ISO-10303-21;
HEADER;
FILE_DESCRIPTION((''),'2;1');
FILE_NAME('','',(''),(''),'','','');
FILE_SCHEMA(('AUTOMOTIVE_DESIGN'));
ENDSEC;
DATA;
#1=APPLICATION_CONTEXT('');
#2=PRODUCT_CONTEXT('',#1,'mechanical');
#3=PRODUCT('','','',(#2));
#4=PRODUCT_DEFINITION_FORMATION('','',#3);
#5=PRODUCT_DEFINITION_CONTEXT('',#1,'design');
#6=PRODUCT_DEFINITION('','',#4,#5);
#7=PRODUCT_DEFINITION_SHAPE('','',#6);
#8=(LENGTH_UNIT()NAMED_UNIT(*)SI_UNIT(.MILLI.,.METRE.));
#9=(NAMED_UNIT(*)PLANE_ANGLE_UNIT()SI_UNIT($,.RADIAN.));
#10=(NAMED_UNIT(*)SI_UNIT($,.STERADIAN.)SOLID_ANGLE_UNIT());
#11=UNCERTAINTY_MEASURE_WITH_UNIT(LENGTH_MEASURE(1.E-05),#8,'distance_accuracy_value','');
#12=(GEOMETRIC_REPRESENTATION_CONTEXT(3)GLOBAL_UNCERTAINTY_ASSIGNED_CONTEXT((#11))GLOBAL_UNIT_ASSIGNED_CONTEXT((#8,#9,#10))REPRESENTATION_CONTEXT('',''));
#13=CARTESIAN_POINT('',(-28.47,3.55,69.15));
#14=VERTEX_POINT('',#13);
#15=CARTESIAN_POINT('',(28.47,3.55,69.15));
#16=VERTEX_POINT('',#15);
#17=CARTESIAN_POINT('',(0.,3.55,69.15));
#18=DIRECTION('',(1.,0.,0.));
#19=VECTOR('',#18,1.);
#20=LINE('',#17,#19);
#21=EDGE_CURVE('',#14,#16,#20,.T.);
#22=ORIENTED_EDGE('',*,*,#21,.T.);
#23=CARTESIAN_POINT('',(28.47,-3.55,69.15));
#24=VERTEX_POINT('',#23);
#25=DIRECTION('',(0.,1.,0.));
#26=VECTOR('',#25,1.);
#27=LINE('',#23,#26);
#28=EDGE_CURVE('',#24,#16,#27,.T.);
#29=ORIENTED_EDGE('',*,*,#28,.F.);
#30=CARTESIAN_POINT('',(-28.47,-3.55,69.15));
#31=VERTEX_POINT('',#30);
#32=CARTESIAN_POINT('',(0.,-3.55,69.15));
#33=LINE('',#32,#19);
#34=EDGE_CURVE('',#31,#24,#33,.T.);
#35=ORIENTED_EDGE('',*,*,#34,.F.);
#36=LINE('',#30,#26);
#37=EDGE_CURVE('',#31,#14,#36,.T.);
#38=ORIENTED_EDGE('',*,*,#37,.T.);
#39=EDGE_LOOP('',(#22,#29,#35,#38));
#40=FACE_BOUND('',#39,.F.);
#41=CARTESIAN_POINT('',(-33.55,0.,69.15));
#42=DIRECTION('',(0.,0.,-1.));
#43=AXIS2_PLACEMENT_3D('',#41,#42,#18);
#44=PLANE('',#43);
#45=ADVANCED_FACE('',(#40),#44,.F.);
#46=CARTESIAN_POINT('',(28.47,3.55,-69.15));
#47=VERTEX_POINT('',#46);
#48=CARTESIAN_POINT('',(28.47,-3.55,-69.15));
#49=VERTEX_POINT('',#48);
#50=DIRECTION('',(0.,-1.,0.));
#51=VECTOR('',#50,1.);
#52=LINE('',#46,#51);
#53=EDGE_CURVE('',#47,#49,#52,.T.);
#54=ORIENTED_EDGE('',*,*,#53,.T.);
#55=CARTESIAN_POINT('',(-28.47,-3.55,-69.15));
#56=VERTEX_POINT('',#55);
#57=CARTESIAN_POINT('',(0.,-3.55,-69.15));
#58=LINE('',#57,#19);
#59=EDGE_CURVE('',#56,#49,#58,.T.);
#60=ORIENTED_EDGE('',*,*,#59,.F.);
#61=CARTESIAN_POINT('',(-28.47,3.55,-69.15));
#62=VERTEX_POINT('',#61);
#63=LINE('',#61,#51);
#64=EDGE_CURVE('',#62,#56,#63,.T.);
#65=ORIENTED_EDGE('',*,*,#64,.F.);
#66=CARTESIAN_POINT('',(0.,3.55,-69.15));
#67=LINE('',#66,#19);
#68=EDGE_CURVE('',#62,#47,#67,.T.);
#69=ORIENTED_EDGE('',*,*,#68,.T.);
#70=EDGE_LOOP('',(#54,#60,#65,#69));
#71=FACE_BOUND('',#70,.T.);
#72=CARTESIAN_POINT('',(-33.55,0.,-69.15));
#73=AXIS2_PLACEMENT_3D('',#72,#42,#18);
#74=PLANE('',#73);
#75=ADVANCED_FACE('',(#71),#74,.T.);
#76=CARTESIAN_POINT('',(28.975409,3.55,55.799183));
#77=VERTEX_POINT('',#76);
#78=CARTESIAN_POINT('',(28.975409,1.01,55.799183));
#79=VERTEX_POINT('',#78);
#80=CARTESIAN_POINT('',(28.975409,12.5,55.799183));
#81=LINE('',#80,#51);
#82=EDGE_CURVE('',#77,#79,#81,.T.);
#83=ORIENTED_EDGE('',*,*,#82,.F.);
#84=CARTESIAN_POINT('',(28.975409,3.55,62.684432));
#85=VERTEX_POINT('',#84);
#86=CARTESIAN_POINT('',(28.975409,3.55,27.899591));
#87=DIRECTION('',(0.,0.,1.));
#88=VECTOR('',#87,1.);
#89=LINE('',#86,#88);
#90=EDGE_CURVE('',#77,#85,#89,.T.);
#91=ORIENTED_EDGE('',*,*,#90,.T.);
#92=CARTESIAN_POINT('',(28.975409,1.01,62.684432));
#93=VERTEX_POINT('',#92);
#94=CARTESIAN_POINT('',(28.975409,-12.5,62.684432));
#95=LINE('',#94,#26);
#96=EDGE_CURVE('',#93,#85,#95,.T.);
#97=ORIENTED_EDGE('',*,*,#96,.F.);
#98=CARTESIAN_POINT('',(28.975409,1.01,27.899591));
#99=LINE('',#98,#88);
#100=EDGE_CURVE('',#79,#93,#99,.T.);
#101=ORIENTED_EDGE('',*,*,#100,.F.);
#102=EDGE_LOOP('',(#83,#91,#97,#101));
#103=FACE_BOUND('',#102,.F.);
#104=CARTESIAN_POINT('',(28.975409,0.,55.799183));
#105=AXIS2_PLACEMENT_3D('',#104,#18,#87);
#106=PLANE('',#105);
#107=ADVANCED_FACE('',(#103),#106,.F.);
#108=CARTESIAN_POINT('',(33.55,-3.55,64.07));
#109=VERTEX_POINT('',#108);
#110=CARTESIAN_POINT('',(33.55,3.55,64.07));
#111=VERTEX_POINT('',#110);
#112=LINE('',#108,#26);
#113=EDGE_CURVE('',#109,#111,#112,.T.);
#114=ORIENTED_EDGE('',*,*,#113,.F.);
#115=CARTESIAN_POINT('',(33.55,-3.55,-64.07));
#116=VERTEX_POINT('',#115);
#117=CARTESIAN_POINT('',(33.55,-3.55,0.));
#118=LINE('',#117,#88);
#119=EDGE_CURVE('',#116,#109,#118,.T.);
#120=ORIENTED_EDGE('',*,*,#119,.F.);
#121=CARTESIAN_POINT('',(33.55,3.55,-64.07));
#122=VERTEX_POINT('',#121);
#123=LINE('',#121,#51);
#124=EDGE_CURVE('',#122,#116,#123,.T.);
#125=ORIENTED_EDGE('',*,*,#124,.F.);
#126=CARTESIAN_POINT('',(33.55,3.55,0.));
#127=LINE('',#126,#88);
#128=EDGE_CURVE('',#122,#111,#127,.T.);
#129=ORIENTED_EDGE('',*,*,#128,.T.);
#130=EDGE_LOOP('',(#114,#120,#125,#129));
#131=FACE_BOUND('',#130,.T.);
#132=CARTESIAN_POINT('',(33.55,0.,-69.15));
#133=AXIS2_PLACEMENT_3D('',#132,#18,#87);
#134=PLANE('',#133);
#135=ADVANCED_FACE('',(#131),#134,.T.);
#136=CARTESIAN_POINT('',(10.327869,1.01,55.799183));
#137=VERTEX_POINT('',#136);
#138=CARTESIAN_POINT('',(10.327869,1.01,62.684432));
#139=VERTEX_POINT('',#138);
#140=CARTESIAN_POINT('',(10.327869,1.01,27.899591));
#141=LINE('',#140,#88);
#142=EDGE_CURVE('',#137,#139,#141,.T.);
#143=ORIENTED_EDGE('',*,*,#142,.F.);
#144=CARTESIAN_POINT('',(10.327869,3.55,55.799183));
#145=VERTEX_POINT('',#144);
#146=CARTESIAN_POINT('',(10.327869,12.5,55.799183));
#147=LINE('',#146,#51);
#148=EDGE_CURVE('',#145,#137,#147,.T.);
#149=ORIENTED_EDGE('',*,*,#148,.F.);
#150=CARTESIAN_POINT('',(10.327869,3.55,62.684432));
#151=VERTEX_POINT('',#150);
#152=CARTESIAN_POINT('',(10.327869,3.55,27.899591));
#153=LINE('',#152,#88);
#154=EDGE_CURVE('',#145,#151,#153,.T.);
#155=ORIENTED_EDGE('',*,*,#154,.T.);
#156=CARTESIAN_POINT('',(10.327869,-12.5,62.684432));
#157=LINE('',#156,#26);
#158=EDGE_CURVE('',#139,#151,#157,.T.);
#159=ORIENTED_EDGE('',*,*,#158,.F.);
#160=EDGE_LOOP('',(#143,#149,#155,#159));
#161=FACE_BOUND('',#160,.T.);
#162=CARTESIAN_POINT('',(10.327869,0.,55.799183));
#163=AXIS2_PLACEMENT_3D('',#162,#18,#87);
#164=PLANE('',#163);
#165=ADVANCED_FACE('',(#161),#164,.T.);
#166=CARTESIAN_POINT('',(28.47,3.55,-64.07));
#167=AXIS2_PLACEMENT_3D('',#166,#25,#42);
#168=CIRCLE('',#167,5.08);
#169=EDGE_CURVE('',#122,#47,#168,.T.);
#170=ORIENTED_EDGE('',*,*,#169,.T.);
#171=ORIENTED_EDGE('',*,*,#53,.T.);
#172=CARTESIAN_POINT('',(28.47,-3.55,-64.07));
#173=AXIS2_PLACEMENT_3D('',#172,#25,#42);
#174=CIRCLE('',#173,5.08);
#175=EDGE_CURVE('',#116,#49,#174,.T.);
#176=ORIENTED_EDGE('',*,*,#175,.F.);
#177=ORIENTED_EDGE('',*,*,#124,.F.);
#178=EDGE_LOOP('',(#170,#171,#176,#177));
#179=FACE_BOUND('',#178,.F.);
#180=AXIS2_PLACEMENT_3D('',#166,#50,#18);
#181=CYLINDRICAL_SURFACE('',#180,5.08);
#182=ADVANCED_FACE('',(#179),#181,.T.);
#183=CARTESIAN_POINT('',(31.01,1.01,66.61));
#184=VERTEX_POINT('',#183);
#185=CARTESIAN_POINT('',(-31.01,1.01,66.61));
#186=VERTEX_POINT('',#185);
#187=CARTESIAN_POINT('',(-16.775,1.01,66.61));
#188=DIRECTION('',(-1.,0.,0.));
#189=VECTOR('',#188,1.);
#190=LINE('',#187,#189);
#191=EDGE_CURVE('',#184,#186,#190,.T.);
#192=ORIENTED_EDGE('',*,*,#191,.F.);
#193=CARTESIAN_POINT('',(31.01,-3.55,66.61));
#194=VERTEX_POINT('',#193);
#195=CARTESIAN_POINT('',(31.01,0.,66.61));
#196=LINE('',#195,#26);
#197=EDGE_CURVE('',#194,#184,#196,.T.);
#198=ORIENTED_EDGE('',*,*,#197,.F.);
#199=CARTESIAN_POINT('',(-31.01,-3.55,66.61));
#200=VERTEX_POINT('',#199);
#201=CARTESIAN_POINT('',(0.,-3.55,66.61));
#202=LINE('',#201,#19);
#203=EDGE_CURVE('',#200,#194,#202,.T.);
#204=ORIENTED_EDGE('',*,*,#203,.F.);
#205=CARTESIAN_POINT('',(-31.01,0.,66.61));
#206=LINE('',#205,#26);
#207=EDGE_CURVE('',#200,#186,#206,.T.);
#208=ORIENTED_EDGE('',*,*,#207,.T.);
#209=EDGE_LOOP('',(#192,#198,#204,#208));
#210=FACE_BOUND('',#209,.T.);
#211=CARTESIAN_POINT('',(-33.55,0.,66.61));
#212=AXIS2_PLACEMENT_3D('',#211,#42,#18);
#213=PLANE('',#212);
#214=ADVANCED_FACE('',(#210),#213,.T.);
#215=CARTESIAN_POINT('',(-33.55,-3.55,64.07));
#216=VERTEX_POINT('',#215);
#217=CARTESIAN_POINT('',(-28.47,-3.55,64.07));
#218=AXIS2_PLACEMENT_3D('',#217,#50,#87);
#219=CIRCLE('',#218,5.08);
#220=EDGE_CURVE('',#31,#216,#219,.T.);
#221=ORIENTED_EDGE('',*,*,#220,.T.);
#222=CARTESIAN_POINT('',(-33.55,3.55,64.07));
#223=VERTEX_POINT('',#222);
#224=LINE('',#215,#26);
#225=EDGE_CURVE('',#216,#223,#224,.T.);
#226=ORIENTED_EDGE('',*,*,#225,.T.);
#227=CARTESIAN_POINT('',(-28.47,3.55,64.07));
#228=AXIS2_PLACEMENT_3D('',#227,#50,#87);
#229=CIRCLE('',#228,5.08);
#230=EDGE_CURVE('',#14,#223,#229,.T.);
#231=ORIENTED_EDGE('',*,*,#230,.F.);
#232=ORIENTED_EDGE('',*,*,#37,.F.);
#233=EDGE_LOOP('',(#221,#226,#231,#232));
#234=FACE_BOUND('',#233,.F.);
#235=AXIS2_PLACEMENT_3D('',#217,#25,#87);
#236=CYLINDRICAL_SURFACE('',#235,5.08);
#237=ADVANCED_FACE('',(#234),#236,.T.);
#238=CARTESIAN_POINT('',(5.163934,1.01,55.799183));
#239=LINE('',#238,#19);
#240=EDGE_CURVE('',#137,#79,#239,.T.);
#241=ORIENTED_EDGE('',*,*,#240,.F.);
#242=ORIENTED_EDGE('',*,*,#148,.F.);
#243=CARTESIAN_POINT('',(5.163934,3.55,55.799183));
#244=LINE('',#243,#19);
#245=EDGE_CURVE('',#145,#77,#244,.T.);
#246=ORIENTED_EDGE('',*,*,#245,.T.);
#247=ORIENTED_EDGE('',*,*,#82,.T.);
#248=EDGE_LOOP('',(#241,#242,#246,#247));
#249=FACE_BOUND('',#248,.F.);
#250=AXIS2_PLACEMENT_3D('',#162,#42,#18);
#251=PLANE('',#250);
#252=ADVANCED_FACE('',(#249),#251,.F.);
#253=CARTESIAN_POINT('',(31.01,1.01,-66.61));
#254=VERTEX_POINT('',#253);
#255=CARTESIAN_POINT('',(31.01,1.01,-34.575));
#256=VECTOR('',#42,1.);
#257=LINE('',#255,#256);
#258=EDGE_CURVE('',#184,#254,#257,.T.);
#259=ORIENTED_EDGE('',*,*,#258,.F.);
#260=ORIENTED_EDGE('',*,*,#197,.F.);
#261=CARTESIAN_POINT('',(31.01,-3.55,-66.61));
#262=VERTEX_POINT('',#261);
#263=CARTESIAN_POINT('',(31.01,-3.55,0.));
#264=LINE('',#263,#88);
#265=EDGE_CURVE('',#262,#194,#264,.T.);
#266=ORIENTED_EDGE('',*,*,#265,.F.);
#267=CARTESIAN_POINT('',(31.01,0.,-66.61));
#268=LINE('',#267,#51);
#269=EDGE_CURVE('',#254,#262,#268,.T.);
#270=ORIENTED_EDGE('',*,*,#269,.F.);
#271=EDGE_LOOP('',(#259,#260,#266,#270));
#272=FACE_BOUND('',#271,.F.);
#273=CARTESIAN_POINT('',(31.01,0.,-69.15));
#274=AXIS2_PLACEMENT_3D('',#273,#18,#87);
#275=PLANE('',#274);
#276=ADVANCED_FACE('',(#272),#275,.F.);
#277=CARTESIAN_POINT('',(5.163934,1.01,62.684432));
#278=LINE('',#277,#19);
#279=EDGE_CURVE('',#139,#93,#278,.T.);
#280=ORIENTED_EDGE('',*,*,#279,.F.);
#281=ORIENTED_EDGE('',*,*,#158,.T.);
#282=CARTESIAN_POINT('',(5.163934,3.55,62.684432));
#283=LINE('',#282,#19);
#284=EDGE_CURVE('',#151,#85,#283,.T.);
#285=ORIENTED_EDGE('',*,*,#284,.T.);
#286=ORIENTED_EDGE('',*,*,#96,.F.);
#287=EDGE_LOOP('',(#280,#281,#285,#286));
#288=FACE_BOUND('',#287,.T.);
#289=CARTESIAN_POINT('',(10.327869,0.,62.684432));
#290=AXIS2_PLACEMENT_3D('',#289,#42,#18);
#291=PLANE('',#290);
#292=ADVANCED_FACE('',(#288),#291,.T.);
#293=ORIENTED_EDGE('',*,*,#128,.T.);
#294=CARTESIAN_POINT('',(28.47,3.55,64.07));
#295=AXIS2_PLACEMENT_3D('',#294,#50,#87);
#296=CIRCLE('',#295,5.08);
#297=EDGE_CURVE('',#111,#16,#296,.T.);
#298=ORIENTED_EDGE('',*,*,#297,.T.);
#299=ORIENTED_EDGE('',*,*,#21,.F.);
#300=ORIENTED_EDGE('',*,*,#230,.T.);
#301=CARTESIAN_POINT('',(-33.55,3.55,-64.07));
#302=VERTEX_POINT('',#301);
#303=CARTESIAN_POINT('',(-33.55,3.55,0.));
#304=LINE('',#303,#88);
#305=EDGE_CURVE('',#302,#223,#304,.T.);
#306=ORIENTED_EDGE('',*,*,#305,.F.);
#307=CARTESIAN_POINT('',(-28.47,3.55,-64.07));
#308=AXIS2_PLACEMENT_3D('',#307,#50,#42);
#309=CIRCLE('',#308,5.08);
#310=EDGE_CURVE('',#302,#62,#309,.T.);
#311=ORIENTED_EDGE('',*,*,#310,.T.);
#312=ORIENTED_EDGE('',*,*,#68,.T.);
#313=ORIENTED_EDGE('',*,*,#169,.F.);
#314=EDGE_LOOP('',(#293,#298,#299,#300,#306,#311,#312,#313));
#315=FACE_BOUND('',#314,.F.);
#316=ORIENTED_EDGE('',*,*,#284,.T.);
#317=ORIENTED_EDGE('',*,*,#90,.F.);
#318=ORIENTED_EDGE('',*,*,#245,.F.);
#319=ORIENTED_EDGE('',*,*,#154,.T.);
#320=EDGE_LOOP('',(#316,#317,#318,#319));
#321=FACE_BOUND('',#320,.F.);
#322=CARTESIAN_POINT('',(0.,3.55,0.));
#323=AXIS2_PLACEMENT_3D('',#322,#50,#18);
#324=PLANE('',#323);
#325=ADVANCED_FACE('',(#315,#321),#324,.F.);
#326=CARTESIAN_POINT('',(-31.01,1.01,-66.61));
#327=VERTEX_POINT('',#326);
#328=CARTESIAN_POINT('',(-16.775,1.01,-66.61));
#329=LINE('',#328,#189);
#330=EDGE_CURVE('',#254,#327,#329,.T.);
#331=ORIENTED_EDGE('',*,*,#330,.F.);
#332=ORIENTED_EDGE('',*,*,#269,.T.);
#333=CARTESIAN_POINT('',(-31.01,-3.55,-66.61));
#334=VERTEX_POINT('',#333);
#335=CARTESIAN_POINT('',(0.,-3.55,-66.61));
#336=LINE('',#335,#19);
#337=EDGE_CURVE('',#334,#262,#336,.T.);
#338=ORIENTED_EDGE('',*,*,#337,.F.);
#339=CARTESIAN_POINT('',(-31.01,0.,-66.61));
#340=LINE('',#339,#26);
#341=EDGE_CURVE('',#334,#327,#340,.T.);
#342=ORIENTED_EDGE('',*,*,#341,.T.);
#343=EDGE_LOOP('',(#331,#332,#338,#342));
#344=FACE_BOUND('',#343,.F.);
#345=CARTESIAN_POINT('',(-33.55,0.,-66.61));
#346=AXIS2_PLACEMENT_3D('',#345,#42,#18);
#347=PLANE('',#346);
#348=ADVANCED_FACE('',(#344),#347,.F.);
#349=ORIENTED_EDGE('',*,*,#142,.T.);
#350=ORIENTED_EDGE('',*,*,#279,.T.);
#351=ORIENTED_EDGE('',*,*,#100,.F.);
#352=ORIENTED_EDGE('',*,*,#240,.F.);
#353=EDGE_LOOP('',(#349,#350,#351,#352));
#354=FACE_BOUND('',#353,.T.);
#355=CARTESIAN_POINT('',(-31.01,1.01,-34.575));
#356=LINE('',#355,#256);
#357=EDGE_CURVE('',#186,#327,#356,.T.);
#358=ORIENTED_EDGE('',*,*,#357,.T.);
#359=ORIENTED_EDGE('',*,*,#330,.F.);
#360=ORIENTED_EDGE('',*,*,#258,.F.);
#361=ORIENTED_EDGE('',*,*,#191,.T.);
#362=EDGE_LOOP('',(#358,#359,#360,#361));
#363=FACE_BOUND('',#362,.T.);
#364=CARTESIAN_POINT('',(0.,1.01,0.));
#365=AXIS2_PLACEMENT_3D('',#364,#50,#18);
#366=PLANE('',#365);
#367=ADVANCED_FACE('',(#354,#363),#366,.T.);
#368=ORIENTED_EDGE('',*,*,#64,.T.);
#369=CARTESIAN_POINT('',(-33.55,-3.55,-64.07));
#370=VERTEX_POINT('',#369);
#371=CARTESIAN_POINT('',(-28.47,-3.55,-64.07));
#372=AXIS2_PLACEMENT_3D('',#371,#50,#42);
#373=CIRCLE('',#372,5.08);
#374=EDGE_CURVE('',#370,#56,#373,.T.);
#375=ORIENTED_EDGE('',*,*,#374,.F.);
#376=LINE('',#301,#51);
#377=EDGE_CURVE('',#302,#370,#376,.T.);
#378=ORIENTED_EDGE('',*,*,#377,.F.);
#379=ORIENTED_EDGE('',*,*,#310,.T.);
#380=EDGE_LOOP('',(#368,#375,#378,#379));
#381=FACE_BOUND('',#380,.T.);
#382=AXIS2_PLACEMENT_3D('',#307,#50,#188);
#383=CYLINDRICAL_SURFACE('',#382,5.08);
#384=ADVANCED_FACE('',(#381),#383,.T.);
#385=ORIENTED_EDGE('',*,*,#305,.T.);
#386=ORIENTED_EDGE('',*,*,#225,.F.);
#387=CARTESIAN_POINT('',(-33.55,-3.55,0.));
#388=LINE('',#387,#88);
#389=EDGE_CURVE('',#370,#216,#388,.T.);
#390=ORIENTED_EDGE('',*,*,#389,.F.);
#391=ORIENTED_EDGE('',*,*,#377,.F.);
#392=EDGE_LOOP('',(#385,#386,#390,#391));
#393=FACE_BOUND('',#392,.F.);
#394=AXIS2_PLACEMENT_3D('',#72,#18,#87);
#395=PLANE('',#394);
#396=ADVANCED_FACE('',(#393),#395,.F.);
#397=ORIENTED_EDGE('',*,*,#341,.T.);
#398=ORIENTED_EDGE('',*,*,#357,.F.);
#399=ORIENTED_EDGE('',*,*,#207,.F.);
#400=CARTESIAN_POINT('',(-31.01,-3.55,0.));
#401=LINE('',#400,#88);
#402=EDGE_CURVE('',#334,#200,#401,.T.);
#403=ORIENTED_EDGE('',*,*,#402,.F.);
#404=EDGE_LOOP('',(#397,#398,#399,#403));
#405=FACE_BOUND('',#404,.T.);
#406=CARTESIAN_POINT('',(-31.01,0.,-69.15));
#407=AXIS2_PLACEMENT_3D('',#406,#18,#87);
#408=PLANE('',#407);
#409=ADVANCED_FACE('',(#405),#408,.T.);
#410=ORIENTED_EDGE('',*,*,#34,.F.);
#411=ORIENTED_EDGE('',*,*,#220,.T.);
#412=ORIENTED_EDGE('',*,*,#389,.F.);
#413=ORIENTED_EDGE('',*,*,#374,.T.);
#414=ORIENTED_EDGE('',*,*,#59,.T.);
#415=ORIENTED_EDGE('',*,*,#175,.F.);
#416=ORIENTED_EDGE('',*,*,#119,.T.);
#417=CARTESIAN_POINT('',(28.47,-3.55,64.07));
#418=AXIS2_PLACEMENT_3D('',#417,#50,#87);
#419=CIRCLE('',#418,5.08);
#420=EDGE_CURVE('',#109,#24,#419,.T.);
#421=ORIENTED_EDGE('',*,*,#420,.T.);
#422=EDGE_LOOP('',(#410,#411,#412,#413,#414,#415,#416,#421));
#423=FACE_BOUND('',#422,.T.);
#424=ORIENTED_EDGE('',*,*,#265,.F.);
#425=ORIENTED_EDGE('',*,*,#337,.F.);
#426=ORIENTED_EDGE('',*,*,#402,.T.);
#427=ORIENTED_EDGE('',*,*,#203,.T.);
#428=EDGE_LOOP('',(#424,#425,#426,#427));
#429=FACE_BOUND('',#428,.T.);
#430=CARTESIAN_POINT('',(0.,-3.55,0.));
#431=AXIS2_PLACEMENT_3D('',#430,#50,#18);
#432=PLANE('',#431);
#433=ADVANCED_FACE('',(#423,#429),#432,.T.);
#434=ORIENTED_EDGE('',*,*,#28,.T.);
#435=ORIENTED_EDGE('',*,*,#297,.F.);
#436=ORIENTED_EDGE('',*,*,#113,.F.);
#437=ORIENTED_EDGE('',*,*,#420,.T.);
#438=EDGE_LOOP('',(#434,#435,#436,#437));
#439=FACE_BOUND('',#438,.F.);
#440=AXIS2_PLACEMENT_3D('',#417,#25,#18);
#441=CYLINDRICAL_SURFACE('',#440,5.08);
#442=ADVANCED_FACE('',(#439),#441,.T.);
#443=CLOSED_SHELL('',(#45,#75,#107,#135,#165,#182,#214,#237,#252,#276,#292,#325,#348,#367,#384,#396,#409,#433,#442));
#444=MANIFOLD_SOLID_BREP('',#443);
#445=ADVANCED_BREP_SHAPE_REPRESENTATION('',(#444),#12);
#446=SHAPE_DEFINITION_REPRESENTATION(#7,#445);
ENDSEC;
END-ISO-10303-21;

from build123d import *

# Parameters (mm, degrees)
F0_W     = 67.1
F0_H     = 138.3
F1_DEPTH = 3.55
F2_T     = -2.54
F3_R     = 5.08
F4_W     = 18.64754
F4_H     = 6.885249
F5_DEPTH = 12.5


with BuildPart() as f1:
    # F0 (on Front) → F1 (new body, symmetric)
    with BuildSketch(Plane.XZ):
        Rectangle(F0_W, F0_H)
    extrude(amount=F1_DEPTH, both=True)

    # F2
    f2_openings = [f1.faces().sort_by_distance(p)[0] for p in [
        (0, -3.55, 0),
    ]]
    offset(amount=F2_T, openings=f2_openings)

    # F3
    f3_edges = [f1.edges().sort_by_distance(p)[0] for p in [
        (33.55, 0, 69.15),
        (-33.55, 0, 69.15),
        (-33.55, 0, -69.15),
        (33.55, 0, -69.15),
    ]]
    fillet(f3_edges, radius=F3_R)

    # F4 (on Front) → F5 (cut, symmetric)
    with BuildSketch(Plane.XZ):
        with Locations((19.651639, 59.241807)):
            Rectangle(F4_W, F4_H)
    extrude(amount=F5_DEPTH, both=True, mode=Mode.SUBTRACT)


solid = f1.part
